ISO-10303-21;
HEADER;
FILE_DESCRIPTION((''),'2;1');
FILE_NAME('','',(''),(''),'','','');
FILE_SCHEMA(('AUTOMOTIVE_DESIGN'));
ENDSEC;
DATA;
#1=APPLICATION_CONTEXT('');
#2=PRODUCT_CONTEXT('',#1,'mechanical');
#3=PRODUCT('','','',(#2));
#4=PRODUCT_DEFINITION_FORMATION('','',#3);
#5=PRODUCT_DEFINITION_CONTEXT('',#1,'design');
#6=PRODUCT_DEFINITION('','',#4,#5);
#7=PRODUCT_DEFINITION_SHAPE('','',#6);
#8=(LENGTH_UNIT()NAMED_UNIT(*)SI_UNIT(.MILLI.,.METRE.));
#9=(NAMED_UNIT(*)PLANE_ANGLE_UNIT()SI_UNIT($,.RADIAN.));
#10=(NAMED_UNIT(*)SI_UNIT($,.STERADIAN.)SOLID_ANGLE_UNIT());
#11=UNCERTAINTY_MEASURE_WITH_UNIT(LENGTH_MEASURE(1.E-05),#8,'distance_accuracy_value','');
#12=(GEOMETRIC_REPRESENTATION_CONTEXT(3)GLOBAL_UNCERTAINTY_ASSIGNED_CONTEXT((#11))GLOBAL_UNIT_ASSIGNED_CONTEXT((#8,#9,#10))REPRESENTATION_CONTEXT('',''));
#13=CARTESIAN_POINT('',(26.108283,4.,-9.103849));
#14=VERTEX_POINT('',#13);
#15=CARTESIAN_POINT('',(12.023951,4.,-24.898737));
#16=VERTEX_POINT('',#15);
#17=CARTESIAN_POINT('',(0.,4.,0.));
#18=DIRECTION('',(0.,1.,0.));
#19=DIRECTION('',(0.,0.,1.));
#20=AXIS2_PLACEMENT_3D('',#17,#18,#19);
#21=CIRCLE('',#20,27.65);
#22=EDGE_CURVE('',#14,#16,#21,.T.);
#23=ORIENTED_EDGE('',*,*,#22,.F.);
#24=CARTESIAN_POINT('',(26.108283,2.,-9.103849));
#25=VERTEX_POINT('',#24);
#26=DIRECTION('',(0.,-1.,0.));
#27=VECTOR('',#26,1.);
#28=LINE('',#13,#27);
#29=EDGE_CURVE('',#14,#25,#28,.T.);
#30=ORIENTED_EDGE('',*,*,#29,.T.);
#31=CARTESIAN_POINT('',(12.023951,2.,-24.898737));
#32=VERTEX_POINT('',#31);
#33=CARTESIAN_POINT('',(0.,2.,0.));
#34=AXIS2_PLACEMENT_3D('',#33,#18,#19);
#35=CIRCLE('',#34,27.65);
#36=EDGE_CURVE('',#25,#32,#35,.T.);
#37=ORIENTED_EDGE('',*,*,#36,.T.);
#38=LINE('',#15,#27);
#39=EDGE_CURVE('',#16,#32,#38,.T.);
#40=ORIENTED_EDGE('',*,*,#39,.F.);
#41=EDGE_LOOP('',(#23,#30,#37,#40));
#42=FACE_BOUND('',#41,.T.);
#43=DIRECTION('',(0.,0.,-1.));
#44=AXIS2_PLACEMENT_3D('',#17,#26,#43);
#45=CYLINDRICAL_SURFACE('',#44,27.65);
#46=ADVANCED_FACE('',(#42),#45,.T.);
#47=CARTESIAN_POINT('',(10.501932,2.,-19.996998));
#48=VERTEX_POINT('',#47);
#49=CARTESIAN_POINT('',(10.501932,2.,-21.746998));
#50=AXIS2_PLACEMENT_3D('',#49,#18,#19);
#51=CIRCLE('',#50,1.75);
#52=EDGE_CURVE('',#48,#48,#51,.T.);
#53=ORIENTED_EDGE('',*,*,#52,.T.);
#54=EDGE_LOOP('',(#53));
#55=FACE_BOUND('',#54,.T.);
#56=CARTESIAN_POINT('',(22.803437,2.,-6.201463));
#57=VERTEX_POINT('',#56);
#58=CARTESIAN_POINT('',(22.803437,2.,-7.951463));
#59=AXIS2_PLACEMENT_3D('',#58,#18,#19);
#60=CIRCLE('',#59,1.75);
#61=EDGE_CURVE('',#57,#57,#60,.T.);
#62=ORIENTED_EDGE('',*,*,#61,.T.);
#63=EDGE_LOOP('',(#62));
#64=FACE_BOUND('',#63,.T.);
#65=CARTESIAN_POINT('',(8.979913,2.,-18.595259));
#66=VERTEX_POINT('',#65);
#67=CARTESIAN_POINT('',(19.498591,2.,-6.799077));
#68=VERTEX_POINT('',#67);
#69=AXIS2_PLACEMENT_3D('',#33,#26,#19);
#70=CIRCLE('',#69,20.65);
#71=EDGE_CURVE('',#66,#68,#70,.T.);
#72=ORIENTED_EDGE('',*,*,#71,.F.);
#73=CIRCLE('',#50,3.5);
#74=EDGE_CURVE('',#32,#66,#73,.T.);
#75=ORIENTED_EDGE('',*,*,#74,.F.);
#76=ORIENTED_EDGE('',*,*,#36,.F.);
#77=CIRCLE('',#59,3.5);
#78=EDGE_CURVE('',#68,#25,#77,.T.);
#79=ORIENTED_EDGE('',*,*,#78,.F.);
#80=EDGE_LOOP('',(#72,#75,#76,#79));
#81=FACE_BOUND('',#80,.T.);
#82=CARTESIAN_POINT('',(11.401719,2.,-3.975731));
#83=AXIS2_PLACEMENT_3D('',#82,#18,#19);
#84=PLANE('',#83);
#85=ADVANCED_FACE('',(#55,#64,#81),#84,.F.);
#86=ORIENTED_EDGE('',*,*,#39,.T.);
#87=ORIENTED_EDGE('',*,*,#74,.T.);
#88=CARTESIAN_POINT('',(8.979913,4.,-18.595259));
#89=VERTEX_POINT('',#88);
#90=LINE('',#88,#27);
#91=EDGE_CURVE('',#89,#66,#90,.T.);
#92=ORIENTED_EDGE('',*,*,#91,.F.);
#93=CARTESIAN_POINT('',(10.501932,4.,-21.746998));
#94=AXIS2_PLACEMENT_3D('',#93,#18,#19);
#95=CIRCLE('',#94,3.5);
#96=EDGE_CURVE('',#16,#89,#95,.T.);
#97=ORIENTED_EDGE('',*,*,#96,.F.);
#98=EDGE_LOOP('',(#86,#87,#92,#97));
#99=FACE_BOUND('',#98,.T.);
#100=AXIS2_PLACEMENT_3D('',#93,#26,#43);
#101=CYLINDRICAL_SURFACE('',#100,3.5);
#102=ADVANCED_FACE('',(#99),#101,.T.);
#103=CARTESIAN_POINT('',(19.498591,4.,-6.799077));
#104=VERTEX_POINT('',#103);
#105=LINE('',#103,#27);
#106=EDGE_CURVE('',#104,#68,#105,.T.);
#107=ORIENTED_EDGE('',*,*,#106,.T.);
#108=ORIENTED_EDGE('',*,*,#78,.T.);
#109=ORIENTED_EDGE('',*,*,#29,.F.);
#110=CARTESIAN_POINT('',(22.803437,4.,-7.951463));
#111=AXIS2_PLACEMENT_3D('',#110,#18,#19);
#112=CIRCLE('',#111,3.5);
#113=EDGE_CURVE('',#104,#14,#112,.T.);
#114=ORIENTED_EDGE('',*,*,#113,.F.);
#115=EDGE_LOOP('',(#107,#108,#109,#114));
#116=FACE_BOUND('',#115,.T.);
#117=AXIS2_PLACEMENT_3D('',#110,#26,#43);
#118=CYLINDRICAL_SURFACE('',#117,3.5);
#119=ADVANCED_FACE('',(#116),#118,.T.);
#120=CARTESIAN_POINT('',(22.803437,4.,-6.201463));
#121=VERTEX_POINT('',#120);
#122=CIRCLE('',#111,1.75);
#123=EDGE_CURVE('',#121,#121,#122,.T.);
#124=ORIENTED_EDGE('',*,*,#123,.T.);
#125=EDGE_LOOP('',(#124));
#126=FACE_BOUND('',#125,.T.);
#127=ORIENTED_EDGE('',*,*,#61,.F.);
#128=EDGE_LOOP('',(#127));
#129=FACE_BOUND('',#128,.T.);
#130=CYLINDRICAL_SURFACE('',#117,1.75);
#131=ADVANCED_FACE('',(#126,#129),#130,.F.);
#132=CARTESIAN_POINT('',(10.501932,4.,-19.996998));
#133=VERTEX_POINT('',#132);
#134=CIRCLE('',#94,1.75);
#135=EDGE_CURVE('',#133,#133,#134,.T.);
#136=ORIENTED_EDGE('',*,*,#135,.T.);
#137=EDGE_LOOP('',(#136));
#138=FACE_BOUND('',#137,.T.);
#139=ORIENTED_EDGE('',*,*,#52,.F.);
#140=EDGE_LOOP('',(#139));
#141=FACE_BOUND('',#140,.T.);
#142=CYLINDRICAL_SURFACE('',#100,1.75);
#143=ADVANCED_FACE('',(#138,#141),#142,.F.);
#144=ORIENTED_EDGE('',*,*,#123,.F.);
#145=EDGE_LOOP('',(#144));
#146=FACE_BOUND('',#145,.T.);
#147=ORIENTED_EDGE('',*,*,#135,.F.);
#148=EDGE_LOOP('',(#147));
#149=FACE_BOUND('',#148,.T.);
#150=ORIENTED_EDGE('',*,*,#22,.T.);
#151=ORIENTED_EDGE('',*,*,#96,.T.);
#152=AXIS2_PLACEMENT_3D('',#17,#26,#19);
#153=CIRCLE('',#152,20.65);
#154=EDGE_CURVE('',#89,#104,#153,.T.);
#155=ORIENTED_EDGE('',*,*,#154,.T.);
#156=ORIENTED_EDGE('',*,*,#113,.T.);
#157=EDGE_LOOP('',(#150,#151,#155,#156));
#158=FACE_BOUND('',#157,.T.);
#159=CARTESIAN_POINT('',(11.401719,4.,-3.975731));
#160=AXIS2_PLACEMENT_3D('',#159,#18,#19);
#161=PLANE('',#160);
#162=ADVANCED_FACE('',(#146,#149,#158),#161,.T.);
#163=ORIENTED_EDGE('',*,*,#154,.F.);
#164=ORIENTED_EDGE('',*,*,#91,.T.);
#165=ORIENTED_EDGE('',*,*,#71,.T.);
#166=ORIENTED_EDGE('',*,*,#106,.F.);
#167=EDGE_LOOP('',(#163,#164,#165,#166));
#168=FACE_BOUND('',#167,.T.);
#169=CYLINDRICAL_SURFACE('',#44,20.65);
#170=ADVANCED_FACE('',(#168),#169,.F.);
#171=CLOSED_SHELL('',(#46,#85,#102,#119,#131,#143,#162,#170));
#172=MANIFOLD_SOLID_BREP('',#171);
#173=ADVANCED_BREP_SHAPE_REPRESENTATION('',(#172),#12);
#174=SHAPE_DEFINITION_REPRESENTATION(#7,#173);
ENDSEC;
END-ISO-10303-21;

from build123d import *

# Parameters (mm, degrees)
SKETCH1_R           = 1.75
BOSS_EXTRUDE1_DEPTH = 2


with BuildPart() as part:
    # Sketch1 → Boss-Extrude1 (new body)
    with BuildSketch(Plane(origin=(0, 2, 0), x_dir=(1, 0, 0), z_dir=(0, 1, 0))):
        with BuildLine():
            ThreePointArc((26.108282991, 9.103848595), (20.637016257, 18.402066732), (12.023950872, 24.898737025))
            ThreePointArc((12.023950872, 24.898737025), (7.350192911, 23.269017259), (8.979912677, 18.595259297))
            ThreePointArc((8.979912677, 18.595259297), (15.412455179, 13.743315661), (19.498591095, 6.799076799))
            ThreePointArc((19.498591095, 6.799076799), (23.955822941, 4.646616748), (26.108282991, 9.103848595))
        make_face()
        with Locations((10.501931774, 21.746998161)):
            Circle(SKETCH1_R, mode=Mode.SUBTRACT)
        with Locations((22.803437043, 7.951462697)):
            Circle(SKETCH1_R, mode=Mode.SUBTRACT)
    extrude(amount=BOSS_EXTRUDE1_DEPTH)


solid = part.part
